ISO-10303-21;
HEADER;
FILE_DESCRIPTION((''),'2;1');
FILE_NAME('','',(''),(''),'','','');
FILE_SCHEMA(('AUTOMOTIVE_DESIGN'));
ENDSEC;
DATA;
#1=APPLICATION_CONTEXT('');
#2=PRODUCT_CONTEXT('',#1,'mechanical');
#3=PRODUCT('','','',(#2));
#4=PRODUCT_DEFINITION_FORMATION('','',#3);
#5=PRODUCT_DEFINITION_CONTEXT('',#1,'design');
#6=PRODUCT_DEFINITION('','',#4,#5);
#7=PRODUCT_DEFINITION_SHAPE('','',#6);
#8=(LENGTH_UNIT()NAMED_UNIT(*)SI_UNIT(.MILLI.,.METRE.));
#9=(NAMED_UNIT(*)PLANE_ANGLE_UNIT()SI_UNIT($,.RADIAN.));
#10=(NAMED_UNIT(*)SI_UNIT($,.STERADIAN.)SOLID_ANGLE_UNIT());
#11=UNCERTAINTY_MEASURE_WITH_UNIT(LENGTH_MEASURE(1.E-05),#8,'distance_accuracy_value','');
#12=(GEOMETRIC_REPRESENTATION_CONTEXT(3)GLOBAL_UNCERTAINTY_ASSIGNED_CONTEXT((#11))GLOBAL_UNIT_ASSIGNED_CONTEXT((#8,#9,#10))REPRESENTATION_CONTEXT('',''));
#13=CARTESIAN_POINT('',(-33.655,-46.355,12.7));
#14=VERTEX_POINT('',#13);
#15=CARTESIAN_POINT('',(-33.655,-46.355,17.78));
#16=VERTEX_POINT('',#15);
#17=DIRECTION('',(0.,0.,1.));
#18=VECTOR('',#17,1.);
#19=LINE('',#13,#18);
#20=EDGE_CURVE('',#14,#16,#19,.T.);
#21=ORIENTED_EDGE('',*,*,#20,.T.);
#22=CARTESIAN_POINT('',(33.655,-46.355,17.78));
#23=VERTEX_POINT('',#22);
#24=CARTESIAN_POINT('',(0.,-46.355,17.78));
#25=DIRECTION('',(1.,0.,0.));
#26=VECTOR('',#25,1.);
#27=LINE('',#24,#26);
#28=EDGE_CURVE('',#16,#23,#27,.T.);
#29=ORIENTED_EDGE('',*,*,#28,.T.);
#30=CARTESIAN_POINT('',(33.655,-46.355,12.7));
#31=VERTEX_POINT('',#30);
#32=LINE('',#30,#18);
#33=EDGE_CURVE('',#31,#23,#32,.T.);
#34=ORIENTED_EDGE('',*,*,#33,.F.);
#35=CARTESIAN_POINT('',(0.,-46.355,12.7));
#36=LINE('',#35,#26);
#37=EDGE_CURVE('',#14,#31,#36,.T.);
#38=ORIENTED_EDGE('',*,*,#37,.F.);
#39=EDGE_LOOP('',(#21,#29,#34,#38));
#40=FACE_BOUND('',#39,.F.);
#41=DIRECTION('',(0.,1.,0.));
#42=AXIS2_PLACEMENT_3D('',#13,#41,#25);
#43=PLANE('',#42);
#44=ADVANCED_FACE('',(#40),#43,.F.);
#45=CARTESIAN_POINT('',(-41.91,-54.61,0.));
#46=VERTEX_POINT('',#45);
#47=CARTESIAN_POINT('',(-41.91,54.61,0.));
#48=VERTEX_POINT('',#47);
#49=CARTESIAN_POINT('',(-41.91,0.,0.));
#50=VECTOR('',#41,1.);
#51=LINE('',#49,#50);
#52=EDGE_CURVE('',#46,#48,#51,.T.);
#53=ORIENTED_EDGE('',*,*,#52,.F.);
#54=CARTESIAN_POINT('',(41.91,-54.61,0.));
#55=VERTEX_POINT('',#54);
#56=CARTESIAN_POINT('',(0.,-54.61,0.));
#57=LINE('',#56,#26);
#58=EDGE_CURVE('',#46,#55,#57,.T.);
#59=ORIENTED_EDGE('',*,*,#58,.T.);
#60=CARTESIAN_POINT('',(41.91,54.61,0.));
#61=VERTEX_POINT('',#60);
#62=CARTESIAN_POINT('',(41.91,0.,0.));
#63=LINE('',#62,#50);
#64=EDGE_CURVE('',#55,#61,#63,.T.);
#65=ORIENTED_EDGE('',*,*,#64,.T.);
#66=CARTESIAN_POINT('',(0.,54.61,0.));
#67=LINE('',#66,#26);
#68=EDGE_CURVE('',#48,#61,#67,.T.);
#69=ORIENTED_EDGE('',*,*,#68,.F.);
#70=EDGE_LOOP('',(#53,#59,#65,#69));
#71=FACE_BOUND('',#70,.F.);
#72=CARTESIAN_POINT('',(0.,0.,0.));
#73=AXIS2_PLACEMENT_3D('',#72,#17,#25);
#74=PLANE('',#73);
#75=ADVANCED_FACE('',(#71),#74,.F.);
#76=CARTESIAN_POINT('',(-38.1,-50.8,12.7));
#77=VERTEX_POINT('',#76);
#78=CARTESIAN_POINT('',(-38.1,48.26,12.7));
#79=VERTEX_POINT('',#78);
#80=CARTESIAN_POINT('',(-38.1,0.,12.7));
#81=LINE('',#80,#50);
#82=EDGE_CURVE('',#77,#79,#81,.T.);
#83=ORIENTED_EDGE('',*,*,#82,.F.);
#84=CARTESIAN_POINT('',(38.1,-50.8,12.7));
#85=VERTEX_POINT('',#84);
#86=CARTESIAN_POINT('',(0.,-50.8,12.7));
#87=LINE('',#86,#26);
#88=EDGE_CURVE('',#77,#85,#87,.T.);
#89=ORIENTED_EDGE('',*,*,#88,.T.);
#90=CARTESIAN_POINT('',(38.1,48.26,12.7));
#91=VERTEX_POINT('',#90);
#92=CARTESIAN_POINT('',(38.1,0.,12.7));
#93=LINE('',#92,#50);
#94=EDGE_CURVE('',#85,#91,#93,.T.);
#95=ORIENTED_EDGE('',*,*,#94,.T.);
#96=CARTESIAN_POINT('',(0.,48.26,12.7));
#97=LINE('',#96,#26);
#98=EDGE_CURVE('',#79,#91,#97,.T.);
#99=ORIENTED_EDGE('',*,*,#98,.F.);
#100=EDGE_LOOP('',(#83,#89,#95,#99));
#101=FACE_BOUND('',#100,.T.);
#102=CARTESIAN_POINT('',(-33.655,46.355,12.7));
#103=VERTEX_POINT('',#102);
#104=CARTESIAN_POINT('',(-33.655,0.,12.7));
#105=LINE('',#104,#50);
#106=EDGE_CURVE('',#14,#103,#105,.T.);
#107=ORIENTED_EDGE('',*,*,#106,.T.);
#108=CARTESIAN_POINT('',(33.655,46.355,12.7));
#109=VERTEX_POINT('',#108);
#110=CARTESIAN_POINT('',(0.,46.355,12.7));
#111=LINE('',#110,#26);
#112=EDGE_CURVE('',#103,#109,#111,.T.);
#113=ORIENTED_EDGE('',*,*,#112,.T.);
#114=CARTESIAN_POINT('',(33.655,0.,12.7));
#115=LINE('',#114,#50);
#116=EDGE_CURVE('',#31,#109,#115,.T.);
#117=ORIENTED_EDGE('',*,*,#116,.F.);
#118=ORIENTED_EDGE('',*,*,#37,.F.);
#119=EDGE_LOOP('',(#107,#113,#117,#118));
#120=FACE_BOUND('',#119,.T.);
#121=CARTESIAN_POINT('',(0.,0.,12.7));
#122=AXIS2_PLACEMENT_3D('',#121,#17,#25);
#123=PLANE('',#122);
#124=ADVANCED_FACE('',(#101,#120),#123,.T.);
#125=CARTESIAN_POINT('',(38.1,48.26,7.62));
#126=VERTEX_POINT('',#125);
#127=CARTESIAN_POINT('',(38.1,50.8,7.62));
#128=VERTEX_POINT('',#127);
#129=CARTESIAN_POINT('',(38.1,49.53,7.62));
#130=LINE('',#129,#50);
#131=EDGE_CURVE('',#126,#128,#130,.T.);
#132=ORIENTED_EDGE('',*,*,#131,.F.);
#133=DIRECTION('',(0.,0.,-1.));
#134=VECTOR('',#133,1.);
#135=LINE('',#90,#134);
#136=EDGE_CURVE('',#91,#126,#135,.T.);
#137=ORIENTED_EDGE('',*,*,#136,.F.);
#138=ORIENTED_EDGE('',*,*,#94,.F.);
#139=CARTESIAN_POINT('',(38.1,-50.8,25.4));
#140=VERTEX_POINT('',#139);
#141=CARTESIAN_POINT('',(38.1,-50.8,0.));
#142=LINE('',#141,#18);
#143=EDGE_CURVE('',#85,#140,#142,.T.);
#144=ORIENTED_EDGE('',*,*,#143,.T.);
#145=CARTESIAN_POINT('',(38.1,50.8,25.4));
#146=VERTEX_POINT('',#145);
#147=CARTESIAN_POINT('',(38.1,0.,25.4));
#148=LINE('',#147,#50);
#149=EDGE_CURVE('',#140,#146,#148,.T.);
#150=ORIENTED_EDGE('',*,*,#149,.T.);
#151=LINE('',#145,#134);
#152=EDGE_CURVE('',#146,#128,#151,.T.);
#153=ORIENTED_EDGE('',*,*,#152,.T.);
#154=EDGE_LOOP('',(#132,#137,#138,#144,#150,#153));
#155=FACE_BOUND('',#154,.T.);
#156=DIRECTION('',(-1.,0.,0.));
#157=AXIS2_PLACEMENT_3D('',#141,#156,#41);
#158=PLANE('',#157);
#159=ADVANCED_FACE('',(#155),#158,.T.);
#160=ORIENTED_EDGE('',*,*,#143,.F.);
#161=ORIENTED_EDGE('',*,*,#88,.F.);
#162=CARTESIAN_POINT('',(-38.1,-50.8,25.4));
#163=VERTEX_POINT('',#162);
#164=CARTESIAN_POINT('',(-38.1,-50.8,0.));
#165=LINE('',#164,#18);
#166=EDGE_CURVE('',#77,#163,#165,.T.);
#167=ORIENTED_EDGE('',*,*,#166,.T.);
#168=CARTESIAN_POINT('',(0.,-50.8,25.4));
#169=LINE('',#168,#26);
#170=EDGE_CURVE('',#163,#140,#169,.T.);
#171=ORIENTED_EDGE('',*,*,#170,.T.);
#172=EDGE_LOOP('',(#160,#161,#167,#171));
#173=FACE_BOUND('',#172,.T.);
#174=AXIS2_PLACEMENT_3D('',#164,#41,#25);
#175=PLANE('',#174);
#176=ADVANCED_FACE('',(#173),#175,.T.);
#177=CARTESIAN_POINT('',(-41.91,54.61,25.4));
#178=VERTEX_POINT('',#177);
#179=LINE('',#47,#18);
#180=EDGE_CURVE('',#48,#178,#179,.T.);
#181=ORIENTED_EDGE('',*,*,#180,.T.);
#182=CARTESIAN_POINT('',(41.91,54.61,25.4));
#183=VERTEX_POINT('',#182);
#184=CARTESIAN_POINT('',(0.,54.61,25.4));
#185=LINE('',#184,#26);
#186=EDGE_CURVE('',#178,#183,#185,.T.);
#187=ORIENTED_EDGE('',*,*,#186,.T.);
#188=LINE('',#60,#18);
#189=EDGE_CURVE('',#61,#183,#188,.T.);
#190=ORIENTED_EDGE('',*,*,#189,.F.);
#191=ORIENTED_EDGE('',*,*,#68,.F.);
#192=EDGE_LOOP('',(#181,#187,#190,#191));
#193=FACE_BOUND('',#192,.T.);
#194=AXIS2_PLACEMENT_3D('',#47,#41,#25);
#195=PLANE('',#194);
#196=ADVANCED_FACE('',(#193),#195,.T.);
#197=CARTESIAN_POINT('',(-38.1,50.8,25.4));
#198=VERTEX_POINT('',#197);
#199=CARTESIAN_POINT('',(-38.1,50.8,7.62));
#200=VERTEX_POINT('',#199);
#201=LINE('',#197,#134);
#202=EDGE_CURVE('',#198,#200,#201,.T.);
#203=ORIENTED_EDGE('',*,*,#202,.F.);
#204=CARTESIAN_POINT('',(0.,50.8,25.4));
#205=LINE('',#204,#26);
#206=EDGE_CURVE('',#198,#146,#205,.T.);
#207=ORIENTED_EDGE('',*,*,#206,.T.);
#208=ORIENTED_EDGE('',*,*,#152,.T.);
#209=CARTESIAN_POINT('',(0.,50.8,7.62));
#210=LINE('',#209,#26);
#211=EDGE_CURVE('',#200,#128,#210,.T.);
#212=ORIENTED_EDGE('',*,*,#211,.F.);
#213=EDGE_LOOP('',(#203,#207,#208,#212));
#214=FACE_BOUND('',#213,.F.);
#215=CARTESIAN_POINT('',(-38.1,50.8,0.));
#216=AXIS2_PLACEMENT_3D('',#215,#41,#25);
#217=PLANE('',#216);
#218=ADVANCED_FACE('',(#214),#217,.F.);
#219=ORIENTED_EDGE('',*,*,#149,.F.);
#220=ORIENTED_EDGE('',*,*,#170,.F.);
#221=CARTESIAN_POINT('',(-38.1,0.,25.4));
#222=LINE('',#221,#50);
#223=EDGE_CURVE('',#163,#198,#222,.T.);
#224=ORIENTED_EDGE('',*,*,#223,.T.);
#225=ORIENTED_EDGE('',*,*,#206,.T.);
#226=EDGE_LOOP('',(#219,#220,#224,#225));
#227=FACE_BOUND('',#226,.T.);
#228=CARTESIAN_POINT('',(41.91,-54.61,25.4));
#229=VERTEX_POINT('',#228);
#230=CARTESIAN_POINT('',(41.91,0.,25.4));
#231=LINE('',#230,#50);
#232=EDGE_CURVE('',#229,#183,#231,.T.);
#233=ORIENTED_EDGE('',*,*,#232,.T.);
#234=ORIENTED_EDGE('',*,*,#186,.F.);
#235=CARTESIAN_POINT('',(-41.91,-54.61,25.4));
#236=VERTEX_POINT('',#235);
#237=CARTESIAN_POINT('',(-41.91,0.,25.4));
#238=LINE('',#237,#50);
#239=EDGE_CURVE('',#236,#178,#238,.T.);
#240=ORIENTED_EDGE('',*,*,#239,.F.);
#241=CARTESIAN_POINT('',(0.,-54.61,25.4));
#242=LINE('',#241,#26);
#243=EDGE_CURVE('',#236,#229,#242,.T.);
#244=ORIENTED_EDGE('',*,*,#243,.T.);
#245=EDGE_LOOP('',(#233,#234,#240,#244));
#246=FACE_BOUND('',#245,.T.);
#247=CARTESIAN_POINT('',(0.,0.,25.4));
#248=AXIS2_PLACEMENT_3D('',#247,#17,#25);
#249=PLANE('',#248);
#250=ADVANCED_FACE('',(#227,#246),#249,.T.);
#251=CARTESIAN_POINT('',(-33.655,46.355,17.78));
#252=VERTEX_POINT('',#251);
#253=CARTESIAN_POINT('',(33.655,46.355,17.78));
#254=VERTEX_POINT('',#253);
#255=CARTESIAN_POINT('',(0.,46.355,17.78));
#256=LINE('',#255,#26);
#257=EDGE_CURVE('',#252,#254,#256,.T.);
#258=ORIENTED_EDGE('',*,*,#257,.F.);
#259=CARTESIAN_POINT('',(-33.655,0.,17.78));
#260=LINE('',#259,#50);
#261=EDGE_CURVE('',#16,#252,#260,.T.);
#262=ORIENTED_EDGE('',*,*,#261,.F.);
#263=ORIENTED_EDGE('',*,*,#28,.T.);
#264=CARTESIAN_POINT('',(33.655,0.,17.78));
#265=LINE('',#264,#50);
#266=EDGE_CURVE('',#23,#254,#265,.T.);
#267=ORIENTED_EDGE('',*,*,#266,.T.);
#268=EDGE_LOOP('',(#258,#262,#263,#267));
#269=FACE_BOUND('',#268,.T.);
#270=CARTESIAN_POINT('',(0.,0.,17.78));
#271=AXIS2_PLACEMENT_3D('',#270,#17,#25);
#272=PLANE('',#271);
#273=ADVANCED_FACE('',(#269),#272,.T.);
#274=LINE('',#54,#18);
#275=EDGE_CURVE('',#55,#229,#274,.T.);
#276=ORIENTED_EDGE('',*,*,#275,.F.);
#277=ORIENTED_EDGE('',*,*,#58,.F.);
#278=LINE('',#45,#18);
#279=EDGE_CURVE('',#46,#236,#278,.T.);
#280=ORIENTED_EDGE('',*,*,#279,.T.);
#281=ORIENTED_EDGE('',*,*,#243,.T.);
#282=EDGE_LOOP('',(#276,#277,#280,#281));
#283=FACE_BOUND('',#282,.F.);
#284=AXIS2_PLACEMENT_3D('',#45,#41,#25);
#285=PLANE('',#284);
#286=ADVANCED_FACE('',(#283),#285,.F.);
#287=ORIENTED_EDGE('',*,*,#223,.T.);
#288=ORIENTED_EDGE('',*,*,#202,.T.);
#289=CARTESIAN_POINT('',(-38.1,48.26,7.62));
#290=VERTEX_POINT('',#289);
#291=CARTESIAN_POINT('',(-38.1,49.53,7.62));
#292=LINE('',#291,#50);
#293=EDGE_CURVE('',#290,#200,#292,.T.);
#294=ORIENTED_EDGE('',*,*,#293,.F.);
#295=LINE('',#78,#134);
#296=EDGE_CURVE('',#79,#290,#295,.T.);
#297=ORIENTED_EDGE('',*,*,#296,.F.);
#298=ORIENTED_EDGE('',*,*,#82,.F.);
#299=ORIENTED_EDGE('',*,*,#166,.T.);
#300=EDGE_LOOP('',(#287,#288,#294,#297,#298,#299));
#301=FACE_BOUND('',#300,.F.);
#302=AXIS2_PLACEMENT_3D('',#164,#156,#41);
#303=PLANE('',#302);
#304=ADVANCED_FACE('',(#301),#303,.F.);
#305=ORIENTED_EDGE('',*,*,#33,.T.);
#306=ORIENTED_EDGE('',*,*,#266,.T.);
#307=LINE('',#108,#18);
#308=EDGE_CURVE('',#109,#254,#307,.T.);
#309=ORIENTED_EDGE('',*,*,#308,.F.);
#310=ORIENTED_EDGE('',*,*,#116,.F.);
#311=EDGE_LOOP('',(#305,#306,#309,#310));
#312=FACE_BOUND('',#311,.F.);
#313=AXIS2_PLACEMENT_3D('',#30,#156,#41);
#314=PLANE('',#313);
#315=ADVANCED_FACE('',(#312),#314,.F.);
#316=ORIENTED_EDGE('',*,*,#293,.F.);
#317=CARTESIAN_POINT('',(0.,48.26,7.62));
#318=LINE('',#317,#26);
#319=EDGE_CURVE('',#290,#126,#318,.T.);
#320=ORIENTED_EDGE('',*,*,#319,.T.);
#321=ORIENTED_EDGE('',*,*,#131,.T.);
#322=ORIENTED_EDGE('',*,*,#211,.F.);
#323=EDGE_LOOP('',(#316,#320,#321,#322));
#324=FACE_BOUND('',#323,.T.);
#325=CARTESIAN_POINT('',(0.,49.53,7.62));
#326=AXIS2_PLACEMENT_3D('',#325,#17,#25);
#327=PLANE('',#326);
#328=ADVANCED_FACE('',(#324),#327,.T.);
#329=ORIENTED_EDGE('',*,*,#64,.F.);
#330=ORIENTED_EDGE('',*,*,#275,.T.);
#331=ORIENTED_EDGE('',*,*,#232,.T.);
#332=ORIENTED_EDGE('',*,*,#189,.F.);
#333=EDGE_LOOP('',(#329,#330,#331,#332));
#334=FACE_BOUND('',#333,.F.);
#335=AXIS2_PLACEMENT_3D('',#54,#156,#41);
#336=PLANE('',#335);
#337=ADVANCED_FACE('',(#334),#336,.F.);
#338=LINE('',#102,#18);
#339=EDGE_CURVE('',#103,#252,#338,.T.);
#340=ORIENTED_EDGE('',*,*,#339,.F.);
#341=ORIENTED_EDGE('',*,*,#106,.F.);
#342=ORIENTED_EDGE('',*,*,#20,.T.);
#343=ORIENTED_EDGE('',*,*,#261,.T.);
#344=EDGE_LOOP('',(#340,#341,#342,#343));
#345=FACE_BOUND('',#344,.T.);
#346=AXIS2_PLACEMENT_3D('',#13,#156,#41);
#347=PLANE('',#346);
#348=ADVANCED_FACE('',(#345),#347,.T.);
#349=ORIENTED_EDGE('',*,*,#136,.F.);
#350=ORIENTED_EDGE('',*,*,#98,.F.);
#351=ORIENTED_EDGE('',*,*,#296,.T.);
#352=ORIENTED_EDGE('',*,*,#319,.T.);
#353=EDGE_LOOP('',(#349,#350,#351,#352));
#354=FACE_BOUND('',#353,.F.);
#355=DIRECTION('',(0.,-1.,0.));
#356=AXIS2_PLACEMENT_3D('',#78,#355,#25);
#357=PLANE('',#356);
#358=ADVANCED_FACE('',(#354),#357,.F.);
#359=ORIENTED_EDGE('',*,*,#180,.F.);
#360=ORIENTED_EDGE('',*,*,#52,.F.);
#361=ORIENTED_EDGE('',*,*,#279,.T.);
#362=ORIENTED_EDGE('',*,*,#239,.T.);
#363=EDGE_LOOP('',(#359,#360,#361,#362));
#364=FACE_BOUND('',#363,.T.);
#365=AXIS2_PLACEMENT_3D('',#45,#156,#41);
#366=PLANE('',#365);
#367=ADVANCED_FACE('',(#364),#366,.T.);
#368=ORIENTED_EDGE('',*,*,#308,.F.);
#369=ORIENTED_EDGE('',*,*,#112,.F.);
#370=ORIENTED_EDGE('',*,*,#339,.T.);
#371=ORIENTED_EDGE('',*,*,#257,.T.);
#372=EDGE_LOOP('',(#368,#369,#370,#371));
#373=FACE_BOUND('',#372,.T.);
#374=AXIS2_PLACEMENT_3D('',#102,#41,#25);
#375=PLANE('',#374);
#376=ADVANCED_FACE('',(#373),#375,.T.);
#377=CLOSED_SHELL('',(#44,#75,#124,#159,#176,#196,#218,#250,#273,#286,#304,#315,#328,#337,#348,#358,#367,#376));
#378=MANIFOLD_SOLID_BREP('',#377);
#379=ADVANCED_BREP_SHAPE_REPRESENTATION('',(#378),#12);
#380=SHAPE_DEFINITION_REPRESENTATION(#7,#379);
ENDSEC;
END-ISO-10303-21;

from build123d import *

# Parameters (mm, degrees)
F0_W     = 76.2
F0_H     = 101.6
F1_DEPTH = 12.7
F0_W_2   = 83.82
F0_H_2   = 109.22
F2_DEPTH = 25.4
F3_W     = 67.31
F3_H     = 92.71
F4_DEPTH = 5.08
F5_W     = 76.2
F5_H     = 2.54
F6_DEPTH = 5.08


with BuildPart() as f1:
    # F0 (on Top) → F1 (new body)
    with BuildSketch(Plane.XY):
        Rectangle(F0_W, F0_H)
    extrude(amount=F1_DEPTH)

    # F0 (on Top) → F2 (join)
    with BuildSketch(Plane.XY):
        Rectangle(F0_W_2, F0_H_2)
        Rectangle(F0_W, F0_H, mode=Mode.SUBTRACT)
    extrude(amount=F2_DEPTH)

    # F3 (on face) → F4 (join)
    with BuildSketch(Plane.XY.offset(12.7)):
        Rectangle(F3_W, F3_H)
    extrude(amount=F4_DEPTH)

    # F5 (on face) → F6 (cut)
    with BuildSketch(Plane.XY.offset(12.7)):
        with Locations((0, 49.53)):
            Rectangle(F5_W, F5_H)
    extrude(amount=-F6_DEPTH, mode=Mode.SUBTRACT)


solid = f1.part
